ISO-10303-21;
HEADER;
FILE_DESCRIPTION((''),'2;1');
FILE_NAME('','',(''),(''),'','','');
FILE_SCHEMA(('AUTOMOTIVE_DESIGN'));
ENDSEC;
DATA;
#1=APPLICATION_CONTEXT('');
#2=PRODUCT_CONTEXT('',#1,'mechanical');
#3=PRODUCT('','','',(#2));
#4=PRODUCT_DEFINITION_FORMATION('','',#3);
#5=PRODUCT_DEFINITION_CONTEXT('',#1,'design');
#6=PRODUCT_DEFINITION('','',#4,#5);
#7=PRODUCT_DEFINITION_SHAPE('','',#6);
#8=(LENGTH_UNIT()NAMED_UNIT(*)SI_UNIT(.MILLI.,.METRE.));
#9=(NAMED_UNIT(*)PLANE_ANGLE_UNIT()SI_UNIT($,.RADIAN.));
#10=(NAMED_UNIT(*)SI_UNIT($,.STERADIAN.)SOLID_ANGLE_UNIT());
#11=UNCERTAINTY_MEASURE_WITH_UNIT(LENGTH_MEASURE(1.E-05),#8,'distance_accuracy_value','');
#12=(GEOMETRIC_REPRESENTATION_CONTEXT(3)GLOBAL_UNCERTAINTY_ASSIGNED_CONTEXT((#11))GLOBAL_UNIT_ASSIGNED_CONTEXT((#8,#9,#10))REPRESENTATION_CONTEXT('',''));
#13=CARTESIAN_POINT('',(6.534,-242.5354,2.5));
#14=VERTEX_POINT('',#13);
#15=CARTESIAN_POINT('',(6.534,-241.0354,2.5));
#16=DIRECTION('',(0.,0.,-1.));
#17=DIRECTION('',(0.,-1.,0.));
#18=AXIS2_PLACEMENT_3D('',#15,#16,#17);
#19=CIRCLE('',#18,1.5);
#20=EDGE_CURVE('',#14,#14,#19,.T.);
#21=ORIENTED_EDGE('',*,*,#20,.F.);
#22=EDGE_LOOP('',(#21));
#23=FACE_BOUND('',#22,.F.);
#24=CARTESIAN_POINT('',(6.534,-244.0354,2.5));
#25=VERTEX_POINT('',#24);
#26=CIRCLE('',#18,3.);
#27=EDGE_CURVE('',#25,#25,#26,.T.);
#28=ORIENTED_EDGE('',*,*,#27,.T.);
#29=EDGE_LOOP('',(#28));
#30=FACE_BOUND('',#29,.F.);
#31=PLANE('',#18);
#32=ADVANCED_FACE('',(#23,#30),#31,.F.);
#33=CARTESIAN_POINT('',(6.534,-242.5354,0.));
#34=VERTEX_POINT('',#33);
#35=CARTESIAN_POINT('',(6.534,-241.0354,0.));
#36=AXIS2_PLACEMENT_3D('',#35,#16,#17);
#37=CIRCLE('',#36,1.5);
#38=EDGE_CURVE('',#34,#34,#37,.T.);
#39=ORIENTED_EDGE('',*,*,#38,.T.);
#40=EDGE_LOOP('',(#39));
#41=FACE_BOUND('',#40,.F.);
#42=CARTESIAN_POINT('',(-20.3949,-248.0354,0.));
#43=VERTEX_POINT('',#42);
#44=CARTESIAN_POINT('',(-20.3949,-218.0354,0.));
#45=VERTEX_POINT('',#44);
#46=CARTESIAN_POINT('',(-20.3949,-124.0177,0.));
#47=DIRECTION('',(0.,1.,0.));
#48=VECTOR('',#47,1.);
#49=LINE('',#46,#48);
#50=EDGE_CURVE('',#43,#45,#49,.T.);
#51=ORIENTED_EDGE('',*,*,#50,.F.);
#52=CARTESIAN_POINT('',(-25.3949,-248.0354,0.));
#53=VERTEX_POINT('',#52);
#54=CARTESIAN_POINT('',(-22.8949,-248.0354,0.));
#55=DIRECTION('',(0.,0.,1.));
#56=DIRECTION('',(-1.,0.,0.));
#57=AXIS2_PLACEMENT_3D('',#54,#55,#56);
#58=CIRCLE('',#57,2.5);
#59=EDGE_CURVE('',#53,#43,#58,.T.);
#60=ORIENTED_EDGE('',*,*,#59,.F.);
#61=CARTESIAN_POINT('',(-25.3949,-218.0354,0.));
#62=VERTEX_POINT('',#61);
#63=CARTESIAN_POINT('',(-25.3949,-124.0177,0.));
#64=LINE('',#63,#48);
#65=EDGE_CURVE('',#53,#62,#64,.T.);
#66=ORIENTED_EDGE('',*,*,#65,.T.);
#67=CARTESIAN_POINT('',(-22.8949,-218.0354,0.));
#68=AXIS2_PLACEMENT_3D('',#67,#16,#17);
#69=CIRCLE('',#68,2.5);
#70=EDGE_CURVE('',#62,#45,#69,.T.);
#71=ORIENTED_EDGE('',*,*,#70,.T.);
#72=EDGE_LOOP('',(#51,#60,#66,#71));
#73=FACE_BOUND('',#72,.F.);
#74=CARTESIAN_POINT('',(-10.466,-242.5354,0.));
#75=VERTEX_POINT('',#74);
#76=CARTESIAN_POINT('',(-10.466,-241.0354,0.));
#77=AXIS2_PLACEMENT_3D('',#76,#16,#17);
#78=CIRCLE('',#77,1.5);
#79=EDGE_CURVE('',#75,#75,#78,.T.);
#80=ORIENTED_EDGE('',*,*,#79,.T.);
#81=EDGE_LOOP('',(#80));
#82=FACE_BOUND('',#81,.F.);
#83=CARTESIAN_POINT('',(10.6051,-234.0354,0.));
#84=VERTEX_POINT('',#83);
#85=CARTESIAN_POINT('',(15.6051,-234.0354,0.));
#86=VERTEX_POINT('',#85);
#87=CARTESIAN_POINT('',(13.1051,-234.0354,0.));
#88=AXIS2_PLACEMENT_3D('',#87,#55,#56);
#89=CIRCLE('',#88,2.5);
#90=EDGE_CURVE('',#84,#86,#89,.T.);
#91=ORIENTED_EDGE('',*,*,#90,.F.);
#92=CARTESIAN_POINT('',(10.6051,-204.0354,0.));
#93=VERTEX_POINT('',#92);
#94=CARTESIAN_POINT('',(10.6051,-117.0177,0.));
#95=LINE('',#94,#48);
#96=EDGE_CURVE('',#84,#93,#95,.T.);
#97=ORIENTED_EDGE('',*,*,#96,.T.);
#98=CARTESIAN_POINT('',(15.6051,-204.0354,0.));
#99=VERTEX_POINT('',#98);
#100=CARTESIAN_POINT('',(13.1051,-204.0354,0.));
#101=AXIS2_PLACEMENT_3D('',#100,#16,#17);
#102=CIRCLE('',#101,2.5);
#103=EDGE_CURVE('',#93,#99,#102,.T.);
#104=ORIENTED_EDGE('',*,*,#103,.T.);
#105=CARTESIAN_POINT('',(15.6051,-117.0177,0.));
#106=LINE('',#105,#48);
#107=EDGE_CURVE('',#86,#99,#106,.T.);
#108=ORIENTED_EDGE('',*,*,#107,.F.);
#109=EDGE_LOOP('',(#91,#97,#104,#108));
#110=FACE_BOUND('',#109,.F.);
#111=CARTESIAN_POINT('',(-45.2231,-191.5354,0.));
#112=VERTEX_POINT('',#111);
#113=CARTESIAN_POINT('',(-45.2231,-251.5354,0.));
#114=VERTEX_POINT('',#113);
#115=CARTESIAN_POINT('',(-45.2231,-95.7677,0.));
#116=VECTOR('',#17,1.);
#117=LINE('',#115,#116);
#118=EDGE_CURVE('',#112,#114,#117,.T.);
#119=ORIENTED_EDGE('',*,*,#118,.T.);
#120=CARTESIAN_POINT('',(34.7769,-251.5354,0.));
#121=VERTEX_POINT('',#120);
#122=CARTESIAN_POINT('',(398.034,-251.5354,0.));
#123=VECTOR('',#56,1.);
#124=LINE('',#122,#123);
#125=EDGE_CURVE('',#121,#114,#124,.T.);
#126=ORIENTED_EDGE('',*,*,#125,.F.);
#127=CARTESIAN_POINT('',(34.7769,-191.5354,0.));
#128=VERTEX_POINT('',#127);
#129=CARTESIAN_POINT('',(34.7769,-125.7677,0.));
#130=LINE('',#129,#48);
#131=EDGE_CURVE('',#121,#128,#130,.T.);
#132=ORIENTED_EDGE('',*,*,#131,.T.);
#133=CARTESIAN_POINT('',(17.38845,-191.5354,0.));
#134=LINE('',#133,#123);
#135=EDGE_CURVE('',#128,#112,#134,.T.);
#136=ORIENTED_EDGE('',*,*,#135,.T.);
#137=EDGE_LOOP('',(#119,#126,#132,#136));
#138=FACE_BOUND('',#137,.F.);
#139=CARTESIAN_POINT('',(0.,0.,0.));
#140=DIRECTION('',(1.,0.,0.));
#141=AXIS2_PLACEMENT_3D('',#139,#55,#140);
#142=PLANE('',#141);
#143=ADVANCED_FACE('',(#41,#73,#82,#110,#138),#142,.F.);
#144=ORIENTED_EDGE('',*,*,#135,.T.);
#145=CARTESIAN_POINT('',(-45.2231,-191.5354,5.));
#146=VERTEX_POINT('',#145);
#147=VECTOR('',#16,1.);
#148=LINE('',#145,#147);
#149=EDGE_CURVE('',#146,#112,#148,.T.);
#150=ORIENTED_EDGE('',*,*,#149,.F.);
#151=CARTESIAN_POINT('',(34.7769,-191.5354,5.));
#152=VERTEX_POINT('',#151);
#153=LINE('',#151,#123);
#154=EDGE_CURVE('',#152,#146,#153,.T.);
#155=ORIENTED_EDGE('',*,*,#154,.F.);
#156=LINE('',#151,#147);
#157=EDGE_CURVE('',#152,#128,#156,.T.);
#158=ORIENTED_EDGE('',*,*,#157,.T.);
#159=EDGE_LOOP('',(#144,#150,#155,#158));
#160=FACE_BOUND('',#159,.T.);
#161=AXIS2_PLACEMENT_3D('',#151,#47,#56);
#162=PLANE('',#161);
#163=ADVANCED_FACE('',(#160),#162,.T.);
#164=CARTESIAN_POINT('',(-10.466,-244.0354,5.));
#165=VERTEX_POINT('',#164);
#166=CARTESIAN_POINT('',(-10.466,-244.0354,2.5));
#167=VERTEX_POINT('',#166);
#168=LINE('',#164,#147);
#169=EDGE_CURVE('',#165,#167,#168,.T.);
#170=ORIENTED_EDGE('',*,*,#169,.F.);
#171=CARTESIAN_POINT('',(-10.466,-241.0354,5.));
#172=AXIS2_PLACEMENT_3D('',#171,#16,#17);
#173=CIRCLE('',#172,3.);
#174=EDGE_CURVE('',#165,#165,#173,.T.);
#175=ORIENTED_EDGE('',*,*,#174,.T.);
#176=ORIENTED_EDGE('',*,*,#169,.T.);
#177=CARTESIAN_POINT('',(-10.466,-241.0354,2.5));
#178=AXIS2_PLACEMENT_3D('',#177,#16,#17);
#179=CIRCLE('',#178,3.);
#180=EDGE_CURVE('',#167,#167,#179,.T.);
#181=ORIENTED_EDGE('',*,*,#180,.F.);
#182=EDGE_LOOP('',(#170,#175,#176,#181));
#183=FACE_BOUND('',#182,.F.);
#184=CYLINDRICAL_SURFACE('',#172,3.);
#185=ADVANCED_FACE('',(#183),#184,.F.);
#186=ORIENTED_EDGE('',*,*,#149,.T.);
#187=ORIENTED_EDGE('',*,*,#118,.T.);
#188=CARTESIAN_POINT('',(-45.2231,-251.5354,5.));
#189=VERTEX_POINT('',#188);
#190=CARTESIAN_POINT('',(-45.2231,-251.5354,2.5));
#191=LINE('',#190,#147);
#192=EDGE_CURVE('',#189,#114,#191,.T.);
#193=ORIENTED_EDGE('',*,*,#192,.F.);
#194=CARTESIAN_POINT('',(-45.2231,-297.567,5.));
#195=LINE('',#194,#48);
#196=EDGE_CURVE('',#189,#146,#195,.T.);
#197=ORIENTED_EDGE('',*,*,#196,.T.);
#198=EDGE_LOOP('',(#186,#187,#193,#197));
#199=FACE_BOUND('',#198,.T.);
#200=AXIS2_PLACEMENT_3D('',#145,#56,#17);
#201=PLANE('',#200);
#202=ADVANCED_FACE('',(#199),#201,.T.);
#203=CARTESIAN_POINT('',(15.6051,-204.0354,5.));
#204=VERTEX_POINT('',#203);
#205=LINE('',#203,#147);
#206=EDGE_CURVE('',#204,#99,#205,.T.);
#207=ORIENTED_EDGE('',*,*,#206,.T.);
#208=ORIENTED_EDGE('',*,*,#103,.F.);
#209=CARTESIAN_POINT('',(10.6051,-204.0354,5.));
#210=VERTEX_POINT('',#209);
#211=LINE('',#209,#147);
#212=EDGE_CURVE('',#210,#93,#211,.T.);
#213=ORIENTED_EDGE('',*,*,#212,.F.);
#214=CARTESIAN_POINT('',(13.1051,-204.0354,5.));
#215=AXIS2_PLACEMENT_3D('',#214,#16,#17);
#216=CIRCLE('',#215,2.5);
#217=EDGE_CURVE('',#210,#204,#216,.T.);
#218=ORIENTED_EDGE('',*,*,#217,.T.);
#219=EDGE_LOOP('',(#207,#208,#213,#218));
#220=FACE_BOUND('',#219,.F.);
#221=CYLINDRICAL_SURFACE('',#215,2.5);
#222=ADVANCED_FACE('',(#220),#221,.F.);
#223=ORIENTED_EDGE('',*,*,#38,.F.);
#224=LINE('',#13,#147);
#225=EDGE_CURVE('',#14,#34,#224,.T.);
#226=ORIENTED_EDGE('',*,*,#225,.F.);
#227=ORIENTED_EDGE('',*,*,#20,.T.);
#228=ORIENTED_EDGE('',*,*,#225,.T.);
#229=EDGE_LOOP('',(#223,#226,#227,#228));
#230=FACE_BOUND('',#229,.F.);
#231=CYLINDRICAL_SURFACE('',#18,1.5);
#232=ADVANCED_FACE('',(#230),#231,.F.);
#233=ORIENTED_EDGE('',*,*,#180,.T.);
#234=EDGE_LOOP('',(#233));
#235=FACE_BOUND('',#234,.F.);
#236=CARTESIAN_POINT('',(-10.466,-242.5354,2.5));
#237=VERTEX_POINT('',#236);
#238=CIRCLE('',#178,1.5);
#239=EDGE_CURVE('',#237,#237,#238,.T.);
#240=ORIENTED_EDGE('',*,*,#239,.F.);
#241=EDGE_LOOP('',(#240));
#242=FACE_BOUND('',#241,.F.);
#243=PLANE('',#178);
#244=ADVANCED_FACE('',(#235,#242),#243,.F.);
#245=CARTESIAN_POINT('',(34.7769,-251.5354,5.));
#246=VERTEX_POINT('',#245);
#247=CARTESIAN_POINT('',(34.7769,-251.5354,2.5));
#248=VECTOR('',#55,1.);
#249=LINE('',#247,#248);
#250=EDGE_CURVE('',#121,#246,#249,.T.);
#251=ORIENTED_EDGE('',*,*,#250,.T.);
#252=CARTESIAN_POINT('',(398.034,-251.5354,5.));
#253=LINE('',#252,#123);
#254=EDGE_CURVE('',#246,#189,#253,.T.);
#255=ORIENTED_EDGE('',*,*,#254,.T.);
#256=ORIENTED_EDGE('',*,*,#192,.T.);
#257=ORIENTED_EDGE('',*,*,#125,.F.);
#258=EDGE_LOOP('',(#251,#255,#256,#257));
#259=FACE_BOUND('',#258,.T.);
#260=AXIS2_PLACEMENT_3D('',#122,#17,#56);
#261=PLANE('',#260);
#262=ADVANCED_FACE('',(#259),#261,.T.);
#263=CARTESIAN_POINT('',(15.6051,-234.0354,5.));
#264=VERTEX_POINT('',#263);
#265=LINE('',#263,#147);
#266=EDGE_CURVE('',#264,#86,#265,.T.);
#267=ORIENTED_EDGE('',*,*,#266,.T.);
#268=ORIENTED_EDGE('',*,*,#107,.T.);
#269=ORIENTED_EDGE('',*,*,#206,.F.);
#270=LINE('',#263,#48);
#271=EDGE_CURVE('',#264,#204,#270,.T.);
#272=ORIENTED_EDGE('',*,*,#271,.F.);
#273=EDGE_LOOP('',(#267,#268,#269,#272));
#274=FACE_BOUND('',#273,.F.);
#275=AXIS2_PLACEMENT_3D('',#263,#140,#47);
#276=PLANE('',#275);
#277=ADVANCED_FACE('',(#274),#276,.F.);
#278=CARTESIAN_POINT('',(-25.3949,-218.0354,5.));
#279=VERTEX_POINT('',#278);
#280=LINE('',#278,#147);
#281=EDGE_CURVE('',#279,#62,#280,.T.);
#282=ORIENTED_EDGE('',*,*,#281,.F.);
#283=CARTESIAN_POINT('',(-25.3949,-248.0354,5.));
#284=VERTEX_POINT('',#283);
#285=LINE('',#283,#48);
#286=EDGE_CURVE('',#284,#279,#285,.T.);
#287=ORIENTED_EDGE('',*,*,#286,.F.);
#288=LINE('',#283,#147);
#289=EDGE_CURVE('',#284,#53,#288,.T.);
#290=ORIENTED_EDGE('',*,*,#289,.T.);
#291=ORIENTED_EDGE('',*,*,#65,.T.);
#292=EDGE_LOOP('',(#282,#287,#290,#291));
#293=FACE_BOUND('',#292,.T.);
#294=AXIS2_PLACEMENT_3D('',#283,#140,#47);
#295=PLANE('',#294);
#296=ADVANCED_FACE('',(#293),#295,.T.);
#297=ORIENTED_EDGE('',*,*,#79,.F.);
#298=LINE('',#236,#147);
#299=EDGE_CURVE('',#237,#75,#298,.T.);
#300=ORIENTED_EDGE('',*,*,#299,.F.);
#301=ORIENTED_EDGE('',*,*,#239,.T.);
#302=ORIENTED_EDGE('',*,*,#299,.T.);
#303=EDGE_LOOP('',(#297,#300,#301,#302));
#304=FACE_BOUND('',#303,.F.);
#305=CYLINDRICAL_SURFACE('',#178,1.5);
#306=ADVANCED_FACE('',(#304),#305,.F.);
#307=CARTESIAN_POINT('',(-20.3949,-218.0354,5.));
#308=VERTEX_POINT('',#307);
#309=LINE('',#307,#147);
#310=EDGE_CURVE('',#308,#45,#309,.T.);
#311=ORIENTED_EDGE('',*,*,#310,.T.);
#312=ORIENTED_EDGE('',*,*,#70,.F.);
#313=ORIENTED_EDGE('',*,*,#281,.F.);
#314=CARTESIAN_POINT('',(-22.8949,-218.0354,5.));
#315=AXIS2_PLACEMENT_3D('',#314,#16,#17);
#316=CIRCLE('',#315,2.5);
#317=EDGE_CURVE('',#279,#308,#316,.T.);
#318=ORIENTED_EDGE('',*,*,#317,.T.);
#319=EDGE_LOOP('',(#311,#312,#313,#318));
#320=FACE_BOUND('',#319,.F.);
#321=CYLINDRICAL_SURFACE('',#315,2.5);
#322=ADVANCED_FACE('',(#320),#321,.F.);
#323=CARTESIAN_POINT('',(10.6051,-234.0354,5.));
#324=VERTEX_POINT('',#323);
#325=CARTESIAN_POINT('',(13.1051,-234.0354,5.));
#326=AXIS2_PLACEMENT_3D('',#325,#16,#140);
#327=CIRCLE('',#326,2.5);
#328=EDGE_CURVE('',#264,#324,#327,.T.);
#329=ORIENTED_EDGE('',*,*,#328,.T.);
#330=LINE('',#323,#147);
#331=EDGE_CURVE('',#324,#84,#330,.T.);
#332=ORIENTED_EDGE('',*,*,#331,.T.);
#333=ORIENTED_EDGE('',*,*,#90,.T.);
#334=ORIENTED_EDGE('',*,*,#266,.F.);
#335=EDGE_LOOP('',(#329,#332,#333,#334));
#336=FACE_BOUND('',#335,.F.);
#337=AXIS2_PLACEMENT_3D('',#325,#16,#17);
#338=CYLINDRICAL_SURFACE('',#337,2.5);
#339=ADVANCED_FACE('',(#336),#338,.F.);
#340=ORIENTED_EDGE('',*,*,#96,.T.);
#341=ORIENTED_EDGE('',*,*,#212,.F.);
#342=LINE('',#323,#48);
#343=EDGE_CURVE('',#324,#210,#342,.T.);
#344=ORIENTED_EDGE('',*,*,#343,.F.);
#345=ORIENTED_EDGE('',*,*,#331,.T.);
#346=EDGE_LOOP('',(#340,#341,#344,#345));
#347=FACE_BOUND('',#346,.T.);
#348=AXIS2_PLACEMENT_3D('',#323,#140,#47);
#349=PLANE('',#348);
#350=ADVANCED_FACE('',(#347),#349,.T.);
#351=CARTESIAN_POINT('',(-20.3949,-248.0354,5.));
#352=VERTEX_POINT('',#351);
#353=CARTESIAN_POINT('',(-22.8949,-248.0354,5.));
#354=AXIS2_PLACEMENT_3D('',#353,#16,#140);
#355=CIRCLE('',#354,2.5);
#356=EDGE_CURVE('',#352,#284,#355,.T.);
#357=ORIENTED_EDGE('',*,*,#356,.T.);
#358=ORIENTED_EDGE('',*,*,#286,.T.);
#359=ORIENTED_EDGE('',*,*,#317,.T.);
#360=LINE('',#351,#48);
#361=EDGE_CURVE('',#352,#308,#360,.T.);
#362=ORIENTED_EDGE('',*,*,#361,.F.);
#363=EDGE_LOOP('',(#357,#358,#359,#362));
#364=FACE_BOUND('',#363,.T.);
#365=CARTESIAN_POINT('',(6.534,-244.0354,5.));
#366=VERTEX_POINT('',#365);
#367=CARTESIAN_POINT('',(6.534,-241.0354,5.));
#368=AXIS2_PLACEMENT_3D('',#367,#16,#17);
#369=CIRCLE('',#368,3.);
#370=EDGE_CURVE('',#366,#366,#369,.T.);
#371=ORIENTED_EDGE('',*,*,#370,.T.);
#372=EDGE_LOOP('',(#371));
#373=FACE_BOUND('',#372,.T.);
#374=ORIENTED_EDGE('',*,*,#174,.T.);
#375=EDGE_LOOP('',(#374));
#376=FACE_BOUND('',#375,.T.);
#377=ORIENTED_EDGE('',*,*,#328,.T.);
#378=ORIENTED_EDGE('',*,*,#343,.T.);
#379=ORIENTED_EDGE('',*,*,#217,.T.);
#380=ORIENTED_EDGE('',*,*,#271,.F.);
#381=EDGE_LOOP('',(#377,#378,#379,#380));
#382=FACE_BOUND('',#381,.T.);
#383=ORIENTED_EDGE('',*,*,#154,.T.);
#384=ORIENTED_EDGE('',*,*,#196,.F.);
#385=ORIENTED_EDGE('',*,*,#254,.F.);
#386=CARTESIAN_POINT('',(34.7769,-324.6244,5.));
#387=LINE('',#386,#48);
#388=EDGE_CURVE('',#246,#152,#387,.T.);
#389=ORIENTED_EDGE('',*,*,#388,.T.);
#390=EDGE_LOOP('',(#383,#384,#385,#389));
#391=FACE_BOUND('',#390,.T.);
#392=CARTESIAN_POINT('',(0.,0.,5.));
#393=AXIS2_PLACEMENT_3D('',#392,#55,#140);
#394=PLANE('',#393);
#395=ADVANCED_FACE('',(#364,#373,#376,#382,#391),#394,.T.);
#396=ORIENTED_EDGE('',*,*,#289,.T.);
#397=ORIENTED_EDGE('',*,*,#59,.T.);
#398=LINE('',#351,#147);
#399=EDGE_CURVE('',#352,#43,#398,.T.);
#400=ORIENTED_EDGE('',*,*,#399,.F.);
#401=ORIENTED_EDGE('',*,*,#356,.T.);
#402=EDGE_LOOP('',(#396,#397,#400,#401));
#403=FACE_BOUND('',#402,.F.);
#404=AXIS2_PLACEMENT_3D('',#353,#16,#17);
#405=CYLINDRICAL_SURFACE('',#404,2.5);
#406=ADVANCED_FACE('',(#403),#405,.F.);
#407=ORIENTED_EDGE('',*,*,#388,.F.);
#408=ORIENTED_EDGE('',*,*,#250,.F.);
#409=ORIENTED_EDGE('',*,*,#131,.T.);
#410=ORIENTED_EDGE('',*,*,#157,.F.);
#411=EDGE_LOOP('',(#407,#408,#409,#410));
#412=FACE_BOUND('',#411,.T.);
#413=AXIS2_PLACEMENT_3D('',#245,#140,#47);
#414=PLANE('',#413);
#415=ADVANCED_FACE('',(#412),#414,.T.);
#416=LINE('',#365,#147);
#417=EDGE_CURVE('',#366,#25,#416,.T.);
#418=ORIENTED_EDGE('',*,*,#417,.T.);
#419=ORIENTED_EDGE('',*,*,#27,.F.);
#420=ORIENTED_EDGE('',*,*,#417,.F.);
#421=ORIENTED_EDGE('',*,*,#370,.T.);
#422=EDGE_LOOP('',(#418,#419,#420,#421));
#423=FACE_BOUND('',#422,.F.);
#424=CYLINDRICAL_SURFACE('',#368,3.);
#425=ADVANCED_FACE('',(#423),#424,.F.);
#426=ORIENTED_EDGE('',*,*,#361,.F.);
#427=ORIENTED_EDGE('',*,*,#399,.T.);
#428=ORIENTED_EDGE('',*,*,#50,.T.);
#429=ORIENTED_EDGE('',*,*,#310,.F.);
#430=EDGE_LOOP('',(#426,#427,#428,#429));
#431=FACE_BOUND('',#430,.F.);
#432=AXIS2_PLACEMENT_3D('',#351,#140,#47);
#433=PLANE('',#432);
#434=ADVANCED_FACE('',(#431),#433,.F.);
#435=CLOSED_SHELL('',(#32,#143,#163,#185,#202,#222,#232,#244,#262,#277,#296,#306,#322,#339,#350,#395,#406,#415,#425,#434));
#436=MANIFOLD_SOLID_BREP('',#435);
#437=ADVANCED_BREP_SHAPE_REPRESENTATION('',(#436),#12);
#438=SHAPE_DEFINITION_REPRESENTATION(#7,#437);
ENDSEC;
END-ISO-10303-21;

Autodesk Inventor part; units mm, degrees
ref_plane "YZ Plane" through (0, 0, 0) normal (1, 0, 0) x (0, 1, 0)
ref_plane "XZ Plane" through (0, 0, 0) normal (0, 1, 0) x (-1, 0, 0)
ref_plane "XY Plane" through (0, 0, 0) normal (0, 0, 1) x (1, 0, 0)
sketch "Sketch1" plane through (0, 0, 0) normal (0, 0, 1) x (1, 0, 0)
  line L0 (-401.966, 248.4646) -> (398.034, 248.4646)
  line L1 (398.034, 248.4646) -> (398.034, -251.5354)
  line L2 (398.034, -251.5354) -> (-401.966, -251.5354)
  line L3 (-401.966, -251.5354) -> (-401.966, 248.4646)
  dimension "d0" = 800
  dimension "d1" = 500
  dimension "d2" = 800
extrude "Extrusion1" add sketch "Sketch1" along normal blind 5
sketch "Sketch2" plane through (0, 0, 5) normal (0, 0, 1) x (1, 0, 0)
  point P0 (0, 0)
sketch "Sketch3" plane through (0, 0, 5) normal (0, 0, 1) x (1, 0, 0)
  line L0 (-401.966, -251.5354) -> (398.034, -251.5354) projected
  point P0 (0, 0)
sketch "Sketch4" plane through (0, 0, 5) normal (0, 0, 1) x (1, 0, 0)
  line L0 (-401.966, -251.5354) -> (398.034, -251.5354) projected
  line L1 (-1.966, -251.5354) -> (-1.966, -241.0354)
  line L2 (-1.966, -241.0354) -> (6.534, -241.0354)
  line L3 (-1.966, -241.0354) -> (-10.466, -241.0354)
  point P0 (0, 0)
  dimension "d7" = 10.5
  dimension "d8" = 8.5
  dimension "d9" = 8.5
hole "Hole1" at (6.534, -241.0354, 5) at (-10.466, -241.0354, 5) direction (0, 0, -1) diameter 3 depth 5 tip angle 118 counterbore diameter 6 counterbore depth 2.5
sketch "Sketch5" plane through (0, 0, 5) normal (0, 0, 1) x (1, 0, 0)
  point P0 (0, 0)
sketch "Sketch6" plane through (0, 0, 5) normal (0, 0, 1) x (1, 0, 0)
  line L0 (398.034, -251.5354) -> (-401.966, -251.5354) projected
  line L1 (6.5526, -251.5354) -> (6.5526, -248.0354)
  line L2 (0, -251.5354) -> (3.5, -251.5354) construction
  line L3 (-4.8949, -248.0354) -> (13.1051, -248.0354)
  line L4 (-4.8949, -248.0354) -> (-22.8949, -248.0354)
  line L5 (13.1051, -248.0354) -> (13.1051, -234.0354)
  circle A0 centre (-10.466, -241.0354) radius 1.5 projected
  line L6 (-10.466, -241.0354) -> (-16.966, -241.0354)
  line L7 (6.5526, -241.0354) -> (13.0526, -241.0354)
  line L8 (-22.8949, -248.0354) -> (-20.3949, -248.0354)
  line L9 (-20.3949, -248.0354) -> (-20.3949, -218.0354)
  line L10 (-20.3949, -218.0354) -> (-22.8949, -218.0354)
  line L11 (-22.8949, -218.0354) -> (-22.8949, -248.0354)
  line L12 (-22.8949, -248.0354) -> (-25.3949, -248.0354)
  line L13 (-25.3949, -248.0354) -> (-25.3949, -218.0354)
  line L14 (-25.3949, -218.0354) -> (-22.8949, -218.0354)
  line L15 (-22.8949, -218.0354) -> (-22.8949, -248.0354)
  line L16 (13.1051, -234.0354) -> (15.6051, -234.0354)
  line L17 (15.6051, -234.0354) -> (15.6051, -204.0354)
  line L18 (15.6051, -204.0354) -> (13.1051, -204.0354)
  line L19 (13.1051, -204.0354) -> (13.1051, -234.0354)
  line L20 (13.1051, -234.0354) -> (10.6051, -234.0354)
  line L21 (10.6051, -234.0354) -> (10.6051, -204.0354)
  line L22 (10.6051, -204.0354) -> (13.1051, -204.0354)
  line L23 (13.1051, -204.0354) -> (13.1051, -234.0354)
  point P0 (0, 0)
  dimension "d17" = 3.5
  dimension "d18" = 90
  dimension "d19" = 18
  dimension "d20" = 18
  dimension "d21" = 14
  dimension "d22" = 6.5
  dimension "d23" = 6.5
  dimension "d24" = 2.5
  dimension "d25" = 30
  dimension "d26" = 2.5
  dimension "d27" = 2.5
  dimension "d28" = 30
  dimension "d29" = 2.5
  dimension "d30" = 30
  dimension "d52" = 36
  dimension "d53" = 17.0186
sketch "Sketch7" plane through (0, 0, 0) normal (0, 0, -1) x (-1, 0, 0)
  point P0 (0, 0)
hole "Hole2" at (-22.8949, -248.0354, 5) at (13.1051, -234.0354, 5) direction (0, 0, -1) diameter 5 depth 15 tip angle 118
extrude "Extrusion2" cut sketch "Sketch6" against normal blind 15 contours L20 L21 L22 L19 | L19 L18 L17 L16 | L4 L11 L10 L9 | L12 L13 L14 L11
hole "Hole3" at (-22.8949, -218.0354, 5) at (13.1051, -204.0354, 5) direction (0, 0, -1) diameter 5 depth 15 tip angle 118
sketch "Sketch8" plane through (0, 0, 5) normal (0, 0, 1) x (1, 0, 0)
  line L0 (398.034, -251.5354) -> (-401.966, -251.5354) projected
  line L1 (-45.2231, -251.5354) -> (34.7769, -251.5354)
  line L2 (34.7769, -251.5354) -> (34.7769, -191.5354)
  line L3 (34.7769, -191.5354) -> (-45.2231, -191.5354)
  line L4 (-45.2231, -191.5354) -> (-45.2231, -251.5354)
  line L5 (-45.2231, 276.0506) -> (-471.5877, 276.0506)
  line L6 (-471.5877, 276.0506) -> (-471.5877, -297.567)
  line L7 (-471.5877, -297.567) -> (-45.2231, -297.567)
  line L8 (-45.2231, -297.567) -> (-45.2231, 276.0506)
  line L9 (-45.2231, -191.5354) -> (471.8148, -191.5354)
  line L10 (471.8148, -191.5354) -> (471.8148, 308.5195)
  line L11 (471.8148, 308.5195) -> (-45.2231, 308.5195)
  line L12 (-45.2231, 308.5195) -> (-45.2231, -191.5354)
  line L13 (34.7769, -191.5354) -> (471.8148, -191.5354)
  line L14 (471.8148, -191.5354) -> (471.8148, -324.6244)
  line L15 (471.8148, -324.6244) -> (34.7769, -324.6244)
  line L16 (34.7769, -324.6244) -> (34.7769, -191.5354)
  point P0 (0, 0)
  dimension "d48" = 80
  dimension "d49" = 60
extrude "Extrusion3" cut sketch "Sketch8" against normal blind 15 contours L2 L9 L14 L15 L16 | L8 L7 L6 L5 L4 | L3 L8 L12 L11 L10 L9
properties part number "regla_digital"
